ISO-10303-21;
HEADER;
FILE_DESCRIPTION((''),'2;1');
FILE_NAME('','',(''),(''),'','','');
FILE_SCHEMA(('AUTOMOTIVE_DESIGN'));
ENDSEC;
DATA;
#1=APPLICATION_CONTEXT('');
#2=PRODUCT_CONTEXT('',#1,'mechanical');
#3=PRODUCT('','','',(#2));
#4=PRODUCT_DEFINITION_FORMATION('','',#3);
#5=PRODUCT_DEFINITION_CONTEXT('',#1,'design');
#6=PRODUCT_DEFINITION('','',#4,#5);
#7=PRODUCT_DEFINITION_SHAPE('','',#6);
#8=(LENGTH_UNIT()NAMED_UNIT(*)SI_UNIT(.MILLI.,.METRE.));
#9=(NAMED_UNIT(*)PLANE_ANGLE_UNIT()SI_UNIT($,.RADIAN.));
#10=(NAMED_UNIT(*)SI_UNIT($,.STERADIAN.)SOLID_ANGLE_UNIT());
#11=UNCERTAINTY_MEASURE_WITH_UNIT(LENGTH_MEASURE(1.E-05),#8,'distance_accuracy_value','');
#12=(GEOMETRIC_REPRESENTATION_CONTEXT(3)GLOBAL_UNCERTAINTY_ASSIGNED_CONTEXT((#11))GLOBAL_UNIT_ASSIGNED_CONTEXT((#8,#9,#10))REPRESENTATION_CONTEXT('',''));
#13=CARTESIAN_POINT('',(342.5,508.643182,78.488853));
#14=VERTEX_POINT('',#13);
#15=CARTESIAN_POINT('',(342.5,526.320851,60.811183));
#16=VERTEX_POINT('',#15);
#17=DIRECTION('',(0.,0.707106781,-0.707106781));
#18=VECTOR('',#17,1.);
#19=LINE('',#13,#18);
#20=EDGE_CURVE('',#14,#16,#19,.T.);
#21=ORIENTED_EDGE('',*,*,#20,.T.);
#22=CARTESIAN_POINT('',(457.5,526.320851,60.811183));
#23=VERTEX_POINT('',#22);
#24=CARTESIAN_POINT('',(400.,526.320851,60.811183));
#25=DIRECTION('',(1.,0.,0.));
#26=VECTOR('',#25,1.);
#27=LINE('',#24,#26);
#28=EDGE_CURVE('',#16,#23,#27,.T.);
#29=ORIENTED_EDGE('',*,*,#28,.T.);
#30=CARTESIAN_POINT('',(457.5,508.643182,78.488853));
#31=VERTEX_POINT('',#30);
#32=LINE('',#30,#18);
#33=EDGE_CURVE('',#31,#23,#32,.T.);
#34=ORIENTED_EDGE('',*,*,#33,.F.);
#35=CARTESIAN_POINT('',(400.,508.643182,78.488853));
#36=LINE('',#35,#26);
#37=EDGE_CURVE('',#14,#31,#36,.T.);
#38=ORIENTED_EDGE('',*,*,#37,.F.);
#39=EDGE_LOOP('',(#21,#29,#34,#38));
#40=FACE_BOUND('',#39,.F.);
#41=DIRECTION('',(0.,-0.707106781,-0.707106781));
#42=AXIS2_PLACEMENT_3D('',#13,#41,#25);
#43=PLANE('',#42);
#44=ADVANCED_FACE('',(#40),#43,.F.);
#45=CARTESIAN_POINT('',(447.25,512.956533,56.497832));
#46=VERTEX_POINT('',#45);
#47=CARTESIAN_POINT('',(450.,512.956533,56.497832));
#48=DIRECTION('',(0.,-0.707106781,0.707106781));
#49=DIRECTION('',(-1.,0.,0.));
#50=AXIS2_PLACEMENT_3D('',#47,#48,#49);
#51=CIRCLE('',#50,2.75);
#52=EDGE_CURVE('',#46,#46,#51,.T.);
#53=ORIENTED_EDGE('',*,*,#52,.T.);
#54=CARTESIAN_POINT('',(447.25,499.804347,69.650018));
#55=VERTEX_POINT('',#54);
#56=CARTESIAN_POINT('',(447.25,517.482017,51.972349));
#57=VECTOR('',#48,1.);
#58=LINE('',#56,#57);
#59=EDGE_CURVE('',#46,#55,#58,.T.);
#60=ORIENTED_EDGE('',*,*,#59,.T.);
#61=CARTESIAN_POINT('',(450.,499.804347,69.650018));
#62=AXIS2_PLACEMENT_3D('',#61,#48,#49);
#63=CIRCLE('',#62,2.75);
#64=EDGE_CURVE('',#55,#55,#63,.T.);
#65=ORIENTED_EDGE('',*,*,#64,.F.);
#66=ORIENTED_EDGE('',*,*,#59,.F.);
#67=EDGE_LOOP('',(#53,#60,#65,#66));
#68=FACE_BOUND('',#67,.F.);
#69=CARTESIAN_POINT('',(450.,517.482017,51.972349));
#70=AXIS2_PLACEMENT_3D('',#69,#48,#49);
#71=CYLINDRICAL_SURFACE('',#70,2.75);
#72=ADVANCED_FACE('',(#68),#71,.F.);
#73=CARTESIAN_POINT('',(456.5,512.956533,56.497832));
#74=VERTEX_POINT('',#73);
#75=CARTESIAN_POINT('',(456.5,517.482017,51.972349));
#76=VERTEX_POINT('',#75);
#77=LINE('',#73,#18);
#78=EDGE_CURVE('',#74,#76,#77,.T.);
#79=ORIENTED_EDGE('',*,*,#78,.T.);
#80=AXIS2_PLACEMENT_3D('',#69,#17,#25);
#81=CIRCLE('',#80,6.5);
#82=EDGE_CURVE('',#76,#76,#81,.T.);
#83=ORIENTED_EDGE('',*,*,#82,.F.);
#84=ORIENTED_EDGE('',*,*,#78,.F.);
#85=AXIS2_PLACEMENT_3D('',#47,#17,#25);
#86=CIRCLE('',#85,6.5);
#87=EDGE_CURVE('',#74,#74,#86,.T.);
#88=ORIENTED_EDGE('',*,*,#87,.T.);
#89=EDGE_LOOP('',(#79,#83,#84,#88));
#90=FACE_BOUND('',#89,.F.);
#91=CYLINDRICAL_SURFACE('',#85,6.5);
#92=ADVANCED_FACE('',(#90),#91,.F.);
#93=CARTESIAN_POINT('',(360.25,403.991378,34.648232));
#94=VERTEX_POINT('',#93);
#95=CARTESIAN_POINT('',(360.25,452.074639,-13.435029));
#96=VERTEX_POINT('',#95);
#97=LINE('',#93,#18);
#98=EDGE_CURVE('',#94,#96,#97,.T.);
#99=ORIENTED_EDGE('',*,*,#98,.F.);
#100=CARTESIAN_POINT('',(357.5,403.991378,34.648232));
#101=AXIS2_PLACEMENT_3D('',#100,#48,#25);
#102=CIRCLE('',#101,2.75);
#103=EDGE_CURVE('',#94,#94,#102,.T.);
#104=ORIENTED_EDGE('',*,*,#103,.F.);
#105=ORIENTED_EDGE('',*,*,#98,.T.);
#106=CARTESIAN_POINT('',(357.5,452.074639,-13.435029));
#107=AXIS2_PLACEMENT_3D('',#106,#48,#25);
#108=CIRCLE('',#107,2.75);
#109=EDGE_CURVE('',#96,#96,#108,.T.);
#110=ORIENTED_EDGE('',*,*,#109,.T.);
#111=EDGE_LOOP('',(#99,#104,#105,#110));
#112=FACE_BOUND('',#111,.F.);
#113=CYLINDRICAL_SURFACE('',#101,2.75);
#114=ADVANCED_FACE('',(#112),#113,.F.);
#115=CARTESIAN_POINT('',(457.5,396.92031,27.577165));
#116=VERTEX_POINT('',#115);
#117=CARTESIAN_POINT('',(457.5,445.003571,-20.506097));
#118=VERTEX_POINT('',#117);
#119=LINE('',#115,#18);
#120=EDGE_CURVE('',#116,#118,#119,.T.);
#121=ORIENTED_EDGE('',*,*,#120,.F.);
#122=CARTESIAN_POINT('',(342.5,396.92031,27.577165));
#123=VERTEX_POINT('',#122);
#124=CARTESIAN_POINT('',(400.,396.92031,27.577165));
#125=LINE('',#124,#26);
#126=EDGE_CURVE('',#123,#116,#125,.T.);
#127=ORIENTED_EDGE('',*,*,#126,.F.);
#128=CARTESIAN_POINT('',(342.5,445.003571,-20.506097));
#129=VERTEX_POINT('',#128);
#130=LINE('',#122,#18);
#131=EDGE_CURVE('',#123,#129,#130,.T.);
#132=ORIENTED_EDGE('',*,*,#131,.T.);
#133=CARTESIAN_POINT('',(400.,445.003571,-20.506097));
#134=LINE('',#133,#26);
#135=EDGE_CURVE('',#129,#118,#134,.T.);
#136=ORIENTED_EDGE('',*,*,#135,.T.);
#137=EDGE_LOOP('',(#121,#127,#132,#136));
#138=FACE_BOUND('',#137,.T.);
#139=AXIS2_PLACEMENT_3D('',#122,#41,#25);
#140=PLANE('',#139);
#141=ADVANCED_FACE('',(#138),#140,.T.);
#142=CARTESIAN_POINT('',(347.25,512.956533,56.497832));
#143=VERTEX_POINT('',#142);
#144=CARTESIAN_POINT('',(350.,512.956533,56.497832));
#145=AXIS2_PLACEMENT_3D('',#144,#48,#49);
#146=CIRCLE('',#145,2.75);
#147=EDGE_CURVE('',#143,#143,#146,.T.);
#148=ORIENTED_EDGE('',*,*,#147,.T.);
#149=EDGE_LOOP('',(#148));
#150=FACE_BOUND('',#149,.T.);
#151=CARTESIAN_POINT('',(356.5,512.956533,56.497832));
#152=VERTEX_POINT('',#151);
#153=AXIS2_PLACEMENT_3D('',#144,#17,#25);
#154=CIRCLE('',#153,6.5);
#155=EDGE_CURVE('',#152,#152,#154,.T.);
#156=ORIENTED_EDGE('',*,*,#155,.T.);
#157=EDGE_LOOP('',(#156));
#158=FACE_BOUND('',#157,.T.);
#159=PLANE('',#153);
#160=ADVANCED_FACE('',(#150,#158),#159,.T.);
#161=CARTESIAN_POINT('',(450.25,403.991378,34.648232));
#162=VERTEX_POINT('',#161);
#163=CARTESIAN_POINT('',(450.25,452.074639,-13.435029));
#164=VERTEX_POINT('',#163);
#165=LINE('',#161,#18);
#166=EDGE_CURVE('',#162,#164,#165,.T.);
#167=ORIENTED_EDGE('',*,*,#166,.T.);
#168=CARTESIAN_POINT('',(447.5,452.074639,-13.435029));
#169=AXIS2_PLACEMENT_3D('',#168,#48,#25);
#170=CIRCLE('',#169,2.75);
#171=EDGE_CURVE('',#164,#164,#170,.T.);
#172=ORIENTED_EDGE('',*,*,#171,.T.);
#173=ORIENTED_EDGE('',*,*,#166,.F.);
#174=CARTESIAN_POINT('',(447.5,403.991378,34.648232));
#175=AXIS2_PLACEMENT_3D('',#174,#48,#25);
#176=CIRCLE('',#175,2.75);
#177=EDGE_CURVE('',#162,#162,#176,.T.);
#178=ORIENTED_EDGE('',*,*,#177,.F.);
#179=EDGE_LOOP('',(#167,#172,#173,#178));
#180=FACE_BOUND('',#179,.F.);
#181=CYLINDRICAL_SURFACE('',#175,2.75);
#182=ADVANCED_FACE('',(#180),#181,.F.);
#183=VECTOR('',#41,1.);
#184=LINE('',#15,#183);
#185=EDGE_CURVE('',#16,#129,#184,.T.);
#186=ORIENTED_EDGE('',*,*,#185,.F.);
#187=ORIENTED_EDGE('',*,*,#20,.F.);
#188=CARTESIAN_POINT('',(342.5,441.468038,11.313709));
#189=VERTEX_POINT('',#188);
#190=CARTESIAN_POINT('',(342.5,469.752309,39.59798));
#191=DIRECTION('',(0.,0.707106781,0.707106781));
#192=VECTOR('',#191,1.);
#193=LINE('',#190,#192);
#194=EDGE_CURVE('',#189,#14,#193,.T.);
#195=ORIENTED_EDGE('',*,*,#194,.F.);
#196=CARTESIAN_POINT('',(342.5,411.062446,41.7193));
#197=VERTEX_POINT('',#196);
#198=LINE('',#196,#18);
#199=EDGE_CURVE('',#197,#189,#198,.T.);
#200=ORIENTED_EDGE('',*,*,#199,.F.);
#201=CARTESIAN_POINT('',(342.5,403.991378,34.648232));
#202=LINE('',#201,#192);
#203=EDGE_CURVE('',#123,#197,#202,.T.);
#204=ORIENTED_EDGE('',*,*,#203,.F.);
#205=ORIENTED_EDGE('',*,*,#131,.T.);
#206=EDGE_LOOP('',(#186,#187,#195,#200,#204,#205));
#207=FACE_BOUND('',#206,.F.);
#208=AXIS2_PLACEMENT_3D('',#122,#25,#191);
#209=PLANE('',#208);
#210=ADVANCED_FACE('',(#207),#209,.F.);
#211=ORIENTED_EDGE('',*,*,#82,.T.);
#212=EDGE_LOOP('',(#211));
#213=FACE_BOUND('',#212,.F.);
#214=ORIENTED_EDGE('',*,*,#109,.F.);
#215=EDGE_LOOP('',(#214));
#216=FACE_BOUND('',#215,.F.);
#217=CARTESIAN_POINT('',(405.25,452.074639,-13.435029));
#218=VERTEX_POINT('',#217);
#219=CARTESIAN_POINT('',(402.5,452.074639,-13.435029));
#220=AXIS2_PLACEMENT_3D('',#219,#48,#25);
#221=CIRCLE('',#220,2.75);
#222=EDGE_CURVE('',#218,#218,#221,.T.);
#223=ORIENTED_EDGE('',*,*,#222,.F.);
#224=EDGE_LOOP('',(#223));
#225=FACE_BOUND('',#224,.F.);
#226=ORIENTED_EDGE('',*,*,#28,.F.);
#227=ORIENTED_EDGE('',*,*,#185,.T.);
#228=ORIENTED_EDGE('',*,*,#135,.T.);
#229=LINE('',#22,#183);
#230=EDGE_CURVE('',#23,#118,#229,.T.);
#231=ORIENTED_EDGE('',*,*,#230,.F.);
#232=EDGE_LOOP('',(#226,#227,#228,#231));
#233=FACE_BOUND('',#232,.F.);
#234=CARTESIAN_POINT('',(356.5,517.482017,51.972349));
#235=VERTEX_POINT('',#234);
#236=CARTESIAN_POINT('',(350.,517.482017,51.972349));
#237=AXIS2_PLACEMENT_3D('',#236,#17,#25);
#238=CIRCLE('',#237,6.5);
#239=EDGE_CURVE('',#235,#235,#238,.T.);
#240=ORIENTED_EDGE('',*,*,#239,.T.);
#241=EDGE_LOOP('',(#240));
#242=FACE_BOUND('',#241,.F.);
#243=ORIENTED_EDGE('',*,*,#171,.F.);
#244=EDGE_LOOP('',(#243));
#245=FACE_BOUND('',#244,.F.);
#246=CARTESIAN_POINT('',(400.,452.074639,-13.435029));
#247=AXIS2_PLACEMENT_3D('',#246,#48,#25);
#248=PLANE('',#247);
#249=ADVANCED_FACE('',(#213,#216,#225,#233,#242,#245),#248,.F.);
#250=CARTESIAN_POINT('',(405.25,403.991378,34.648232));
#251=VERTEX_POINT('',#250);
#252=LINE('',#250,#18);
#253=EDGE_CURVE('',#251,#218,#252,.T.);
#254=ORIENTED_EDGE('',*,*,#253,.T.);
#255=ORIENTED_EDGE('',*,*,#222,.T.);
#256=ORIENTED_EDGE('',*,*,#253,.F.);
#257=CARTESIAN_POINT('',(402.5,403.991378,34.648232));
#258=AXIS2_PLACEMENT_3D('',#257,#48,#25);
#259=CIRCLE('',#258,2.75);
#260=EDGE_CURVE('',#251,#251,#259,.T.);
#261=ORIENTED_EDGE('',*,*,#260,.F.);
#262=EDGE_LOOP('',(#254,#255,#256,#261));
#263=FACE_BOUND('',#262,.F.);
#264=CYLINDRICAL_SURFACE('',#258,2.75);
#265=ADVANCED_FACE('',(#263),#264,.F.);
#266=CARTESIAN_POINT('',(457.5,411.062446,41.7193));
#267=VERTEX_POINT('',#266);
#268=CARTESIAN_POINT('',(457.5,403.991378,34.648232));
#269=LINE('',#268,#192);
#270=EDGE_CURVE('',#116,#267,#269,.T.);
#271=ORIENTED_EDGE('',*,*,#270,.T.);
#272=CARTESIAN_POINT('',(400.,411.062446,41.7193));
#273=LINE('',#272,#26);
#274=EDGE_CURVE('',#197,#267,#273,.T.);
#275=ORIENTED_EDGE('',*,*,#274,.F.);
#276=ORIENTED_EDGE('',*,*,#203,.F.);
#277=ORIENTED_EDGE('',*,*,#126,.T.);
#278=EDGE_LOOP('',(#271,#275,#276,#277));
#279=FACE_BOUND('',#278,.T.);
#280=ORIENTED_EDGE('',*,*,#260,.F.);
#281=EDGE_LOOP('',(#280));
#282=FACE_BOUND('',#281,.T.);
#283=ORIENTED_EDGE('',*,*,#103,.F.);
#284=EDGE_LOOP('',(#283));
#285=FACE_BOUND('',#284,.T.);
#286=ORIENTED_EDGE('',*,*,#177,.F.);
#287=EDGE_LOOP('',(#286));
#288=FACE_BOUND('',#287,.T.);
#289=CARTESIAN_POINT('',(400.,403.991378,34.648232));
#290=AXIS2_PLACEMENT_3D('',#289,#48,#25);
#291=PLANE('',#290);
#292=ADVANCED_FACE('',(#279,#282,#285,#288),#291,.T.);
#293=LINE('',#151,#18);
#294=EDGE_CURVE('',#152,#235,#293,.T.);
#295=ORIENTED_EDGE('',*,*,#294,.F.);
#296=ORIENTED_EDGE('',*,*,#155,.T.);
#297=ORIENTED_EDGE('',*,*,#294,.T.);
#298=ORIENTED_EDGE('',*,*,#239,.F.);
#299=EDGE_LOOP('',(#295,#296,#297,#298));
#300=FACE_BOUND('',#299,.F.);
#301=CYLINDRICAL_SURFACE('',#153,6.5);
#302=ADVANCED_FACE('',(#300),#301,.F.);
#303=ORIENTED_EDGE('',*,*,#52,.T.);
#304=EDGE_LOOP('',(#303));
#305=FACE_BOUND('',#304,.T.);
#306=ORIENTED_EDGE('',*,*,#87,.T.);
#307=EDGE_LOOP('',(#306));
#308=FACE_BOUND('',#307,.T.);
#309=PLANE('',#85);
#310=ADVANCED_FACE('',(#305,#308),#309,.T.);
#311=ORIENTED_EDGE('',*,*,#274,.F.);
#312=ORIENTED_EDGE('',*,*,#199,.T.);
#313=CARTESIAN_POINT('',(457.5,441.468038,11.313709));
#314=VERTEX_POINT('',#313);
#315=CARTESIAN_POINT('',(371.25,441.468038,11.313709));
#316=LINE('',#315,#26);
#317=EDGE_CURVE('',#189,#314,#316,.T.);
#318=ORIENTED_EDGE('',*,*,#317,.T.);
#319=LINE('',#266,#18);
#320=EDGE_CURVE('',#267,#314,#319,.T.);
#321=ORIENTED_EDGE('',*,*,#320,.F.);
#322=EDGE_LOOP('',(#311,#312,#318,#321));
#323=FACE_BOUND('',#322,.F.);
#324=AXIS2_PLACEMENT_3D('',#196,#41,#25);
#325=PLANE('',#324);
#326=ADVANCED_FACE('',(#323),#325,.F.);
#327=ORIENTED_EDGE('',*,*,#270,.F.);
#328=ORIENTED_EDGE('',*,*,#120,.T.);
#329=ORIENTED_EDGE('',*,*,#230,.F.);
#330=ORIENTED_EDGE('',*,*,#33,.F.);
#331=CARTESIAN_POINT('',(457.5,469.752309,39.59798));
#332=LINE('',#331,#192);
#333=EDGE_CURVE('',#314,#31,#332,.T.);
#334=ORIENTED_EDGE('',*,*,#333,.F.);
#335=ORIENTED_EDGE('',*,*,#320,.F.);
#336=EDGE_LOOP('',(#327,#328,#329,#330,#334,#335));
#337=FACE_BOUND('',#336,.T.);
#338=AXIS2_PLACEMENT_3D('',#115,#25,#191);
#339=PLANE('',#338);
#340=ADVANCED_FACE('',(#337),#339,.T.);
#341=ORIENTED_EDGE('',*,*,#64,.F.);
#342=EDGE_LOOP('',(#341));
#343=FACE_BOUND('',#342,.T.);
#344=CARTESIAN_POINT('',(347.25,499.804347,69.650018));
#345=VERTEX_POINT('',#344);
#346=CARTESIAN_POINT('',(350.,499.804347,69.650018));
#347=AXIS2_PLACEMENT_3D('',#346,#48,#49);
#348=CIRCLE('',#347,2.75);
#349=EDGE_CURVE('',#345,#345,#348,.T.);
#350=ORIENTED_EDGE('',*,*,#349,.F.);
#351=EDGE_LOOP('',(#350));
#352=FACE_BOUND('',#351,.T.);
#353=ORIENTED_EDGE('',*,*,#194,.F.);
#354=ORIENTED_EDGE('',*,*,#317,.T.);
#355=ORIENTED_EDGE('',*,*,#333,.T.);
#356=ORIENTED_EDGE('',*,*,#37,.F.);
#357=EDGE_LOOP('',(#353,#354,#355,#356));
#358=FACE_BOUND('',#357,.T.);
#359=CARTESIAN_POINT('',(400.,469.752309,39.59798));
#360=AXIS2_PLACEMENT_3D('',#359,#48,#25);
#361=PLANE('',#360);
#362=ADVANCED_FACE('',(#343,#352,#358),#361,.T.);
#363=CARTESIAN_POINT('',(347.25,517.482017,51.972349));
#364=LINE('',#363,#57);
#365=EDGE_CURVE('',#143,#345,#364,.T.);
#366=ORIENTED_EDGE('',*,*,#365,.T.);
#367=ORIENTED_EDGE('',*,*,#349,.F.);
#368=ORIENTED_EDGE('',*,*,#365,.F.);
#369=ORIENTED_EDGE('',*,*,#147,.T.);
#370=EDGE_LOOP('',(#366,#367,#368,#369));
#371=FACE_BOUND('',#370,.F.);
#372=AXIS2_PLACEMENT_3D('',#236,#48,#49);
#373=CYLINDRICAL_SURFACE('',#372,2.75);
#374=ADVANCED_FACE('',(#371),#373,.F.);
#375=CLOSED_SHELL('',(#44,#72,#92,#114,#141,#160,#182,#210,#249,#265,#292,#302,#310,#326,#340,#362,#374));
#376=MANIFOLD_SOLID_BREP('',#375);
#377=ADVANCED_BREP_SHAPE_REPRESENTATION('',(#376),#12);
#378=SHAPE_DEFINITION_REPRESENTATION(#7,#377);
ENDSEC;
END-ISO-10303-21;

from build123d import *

# Parameters (mm, degrees)
SKETCH035_W             = 115
SKETCH035_H             = 110
PAD002_DEPTH            = 25
SKETCH036_W             = 115
SKETCH036_H             = 20
PAD003_DEPTH            = 68
SKETCH037_R             = 2.75
HOLE001_DEPTH           = 68.001
HOLE004_D               = 5.5
HOLE004_CBORE_D         = 13
HOLE004_CBORE_DEPTH     = 6.4
BODY008_PLACEMENT_ANGLE = 45


with BuildPart() as part:
    # Sketch035 → Pad002 (new body)
    with BuildSketch(Plane.XY.offset(-39)):
        with Locations((217.5, 35)):
            Rectangle(SKETCH035_W, SKETCH035_H)
    extrude(amount=-PAD002_DEPTH)

    # Sketch036 → Pad003 (join)
    with BuildSketch(Plane.XY.offset(4)):
        with Locations((217.5, -15)):
            Rectangle(SKETCH036_W, SKETCH036_H)
    extrude(amount=-PAD003_DEPTH)

    # Sketch037 → Hole001 (cut, through all)
    with BuildSketch(Plane.XY.offset(4)):
        with Locations((175, -15)):
            Circle(SKETCH037_R)
        with Locations((265, -15)):
            Circle(SKETCH037_R)
        with Locations((220, -15)):
            Circle(SKETCH037_R)
    extrude(amount=-HOLE001_DEPTH, mode=Mode.SUBTRACT)

    # Hole004 (through all)
    with Locations(Plane(origin=(0, 0, -64), x_dir=(1, 0, 0), z_dir=(0, 0, -1))):
        with Locations((167.5, -77.5), (267.5, -77.5)):
            CounterBoreHole(HOLE004_D / 2, HOLE004_CBORE_D / 2, HOLE004_CBORE_DEPTH)


with BuildPart() as part_1:
    # Body008 placement: moved
    add(part.part.moved(Location((182.5, 417.426407, 42.426407))).rotate(Axis((182.5, 417.426407, 42.426407), (1, 0, 0)), BODY008_PLACEMENT_ANGLE))


solid = part_1.part
